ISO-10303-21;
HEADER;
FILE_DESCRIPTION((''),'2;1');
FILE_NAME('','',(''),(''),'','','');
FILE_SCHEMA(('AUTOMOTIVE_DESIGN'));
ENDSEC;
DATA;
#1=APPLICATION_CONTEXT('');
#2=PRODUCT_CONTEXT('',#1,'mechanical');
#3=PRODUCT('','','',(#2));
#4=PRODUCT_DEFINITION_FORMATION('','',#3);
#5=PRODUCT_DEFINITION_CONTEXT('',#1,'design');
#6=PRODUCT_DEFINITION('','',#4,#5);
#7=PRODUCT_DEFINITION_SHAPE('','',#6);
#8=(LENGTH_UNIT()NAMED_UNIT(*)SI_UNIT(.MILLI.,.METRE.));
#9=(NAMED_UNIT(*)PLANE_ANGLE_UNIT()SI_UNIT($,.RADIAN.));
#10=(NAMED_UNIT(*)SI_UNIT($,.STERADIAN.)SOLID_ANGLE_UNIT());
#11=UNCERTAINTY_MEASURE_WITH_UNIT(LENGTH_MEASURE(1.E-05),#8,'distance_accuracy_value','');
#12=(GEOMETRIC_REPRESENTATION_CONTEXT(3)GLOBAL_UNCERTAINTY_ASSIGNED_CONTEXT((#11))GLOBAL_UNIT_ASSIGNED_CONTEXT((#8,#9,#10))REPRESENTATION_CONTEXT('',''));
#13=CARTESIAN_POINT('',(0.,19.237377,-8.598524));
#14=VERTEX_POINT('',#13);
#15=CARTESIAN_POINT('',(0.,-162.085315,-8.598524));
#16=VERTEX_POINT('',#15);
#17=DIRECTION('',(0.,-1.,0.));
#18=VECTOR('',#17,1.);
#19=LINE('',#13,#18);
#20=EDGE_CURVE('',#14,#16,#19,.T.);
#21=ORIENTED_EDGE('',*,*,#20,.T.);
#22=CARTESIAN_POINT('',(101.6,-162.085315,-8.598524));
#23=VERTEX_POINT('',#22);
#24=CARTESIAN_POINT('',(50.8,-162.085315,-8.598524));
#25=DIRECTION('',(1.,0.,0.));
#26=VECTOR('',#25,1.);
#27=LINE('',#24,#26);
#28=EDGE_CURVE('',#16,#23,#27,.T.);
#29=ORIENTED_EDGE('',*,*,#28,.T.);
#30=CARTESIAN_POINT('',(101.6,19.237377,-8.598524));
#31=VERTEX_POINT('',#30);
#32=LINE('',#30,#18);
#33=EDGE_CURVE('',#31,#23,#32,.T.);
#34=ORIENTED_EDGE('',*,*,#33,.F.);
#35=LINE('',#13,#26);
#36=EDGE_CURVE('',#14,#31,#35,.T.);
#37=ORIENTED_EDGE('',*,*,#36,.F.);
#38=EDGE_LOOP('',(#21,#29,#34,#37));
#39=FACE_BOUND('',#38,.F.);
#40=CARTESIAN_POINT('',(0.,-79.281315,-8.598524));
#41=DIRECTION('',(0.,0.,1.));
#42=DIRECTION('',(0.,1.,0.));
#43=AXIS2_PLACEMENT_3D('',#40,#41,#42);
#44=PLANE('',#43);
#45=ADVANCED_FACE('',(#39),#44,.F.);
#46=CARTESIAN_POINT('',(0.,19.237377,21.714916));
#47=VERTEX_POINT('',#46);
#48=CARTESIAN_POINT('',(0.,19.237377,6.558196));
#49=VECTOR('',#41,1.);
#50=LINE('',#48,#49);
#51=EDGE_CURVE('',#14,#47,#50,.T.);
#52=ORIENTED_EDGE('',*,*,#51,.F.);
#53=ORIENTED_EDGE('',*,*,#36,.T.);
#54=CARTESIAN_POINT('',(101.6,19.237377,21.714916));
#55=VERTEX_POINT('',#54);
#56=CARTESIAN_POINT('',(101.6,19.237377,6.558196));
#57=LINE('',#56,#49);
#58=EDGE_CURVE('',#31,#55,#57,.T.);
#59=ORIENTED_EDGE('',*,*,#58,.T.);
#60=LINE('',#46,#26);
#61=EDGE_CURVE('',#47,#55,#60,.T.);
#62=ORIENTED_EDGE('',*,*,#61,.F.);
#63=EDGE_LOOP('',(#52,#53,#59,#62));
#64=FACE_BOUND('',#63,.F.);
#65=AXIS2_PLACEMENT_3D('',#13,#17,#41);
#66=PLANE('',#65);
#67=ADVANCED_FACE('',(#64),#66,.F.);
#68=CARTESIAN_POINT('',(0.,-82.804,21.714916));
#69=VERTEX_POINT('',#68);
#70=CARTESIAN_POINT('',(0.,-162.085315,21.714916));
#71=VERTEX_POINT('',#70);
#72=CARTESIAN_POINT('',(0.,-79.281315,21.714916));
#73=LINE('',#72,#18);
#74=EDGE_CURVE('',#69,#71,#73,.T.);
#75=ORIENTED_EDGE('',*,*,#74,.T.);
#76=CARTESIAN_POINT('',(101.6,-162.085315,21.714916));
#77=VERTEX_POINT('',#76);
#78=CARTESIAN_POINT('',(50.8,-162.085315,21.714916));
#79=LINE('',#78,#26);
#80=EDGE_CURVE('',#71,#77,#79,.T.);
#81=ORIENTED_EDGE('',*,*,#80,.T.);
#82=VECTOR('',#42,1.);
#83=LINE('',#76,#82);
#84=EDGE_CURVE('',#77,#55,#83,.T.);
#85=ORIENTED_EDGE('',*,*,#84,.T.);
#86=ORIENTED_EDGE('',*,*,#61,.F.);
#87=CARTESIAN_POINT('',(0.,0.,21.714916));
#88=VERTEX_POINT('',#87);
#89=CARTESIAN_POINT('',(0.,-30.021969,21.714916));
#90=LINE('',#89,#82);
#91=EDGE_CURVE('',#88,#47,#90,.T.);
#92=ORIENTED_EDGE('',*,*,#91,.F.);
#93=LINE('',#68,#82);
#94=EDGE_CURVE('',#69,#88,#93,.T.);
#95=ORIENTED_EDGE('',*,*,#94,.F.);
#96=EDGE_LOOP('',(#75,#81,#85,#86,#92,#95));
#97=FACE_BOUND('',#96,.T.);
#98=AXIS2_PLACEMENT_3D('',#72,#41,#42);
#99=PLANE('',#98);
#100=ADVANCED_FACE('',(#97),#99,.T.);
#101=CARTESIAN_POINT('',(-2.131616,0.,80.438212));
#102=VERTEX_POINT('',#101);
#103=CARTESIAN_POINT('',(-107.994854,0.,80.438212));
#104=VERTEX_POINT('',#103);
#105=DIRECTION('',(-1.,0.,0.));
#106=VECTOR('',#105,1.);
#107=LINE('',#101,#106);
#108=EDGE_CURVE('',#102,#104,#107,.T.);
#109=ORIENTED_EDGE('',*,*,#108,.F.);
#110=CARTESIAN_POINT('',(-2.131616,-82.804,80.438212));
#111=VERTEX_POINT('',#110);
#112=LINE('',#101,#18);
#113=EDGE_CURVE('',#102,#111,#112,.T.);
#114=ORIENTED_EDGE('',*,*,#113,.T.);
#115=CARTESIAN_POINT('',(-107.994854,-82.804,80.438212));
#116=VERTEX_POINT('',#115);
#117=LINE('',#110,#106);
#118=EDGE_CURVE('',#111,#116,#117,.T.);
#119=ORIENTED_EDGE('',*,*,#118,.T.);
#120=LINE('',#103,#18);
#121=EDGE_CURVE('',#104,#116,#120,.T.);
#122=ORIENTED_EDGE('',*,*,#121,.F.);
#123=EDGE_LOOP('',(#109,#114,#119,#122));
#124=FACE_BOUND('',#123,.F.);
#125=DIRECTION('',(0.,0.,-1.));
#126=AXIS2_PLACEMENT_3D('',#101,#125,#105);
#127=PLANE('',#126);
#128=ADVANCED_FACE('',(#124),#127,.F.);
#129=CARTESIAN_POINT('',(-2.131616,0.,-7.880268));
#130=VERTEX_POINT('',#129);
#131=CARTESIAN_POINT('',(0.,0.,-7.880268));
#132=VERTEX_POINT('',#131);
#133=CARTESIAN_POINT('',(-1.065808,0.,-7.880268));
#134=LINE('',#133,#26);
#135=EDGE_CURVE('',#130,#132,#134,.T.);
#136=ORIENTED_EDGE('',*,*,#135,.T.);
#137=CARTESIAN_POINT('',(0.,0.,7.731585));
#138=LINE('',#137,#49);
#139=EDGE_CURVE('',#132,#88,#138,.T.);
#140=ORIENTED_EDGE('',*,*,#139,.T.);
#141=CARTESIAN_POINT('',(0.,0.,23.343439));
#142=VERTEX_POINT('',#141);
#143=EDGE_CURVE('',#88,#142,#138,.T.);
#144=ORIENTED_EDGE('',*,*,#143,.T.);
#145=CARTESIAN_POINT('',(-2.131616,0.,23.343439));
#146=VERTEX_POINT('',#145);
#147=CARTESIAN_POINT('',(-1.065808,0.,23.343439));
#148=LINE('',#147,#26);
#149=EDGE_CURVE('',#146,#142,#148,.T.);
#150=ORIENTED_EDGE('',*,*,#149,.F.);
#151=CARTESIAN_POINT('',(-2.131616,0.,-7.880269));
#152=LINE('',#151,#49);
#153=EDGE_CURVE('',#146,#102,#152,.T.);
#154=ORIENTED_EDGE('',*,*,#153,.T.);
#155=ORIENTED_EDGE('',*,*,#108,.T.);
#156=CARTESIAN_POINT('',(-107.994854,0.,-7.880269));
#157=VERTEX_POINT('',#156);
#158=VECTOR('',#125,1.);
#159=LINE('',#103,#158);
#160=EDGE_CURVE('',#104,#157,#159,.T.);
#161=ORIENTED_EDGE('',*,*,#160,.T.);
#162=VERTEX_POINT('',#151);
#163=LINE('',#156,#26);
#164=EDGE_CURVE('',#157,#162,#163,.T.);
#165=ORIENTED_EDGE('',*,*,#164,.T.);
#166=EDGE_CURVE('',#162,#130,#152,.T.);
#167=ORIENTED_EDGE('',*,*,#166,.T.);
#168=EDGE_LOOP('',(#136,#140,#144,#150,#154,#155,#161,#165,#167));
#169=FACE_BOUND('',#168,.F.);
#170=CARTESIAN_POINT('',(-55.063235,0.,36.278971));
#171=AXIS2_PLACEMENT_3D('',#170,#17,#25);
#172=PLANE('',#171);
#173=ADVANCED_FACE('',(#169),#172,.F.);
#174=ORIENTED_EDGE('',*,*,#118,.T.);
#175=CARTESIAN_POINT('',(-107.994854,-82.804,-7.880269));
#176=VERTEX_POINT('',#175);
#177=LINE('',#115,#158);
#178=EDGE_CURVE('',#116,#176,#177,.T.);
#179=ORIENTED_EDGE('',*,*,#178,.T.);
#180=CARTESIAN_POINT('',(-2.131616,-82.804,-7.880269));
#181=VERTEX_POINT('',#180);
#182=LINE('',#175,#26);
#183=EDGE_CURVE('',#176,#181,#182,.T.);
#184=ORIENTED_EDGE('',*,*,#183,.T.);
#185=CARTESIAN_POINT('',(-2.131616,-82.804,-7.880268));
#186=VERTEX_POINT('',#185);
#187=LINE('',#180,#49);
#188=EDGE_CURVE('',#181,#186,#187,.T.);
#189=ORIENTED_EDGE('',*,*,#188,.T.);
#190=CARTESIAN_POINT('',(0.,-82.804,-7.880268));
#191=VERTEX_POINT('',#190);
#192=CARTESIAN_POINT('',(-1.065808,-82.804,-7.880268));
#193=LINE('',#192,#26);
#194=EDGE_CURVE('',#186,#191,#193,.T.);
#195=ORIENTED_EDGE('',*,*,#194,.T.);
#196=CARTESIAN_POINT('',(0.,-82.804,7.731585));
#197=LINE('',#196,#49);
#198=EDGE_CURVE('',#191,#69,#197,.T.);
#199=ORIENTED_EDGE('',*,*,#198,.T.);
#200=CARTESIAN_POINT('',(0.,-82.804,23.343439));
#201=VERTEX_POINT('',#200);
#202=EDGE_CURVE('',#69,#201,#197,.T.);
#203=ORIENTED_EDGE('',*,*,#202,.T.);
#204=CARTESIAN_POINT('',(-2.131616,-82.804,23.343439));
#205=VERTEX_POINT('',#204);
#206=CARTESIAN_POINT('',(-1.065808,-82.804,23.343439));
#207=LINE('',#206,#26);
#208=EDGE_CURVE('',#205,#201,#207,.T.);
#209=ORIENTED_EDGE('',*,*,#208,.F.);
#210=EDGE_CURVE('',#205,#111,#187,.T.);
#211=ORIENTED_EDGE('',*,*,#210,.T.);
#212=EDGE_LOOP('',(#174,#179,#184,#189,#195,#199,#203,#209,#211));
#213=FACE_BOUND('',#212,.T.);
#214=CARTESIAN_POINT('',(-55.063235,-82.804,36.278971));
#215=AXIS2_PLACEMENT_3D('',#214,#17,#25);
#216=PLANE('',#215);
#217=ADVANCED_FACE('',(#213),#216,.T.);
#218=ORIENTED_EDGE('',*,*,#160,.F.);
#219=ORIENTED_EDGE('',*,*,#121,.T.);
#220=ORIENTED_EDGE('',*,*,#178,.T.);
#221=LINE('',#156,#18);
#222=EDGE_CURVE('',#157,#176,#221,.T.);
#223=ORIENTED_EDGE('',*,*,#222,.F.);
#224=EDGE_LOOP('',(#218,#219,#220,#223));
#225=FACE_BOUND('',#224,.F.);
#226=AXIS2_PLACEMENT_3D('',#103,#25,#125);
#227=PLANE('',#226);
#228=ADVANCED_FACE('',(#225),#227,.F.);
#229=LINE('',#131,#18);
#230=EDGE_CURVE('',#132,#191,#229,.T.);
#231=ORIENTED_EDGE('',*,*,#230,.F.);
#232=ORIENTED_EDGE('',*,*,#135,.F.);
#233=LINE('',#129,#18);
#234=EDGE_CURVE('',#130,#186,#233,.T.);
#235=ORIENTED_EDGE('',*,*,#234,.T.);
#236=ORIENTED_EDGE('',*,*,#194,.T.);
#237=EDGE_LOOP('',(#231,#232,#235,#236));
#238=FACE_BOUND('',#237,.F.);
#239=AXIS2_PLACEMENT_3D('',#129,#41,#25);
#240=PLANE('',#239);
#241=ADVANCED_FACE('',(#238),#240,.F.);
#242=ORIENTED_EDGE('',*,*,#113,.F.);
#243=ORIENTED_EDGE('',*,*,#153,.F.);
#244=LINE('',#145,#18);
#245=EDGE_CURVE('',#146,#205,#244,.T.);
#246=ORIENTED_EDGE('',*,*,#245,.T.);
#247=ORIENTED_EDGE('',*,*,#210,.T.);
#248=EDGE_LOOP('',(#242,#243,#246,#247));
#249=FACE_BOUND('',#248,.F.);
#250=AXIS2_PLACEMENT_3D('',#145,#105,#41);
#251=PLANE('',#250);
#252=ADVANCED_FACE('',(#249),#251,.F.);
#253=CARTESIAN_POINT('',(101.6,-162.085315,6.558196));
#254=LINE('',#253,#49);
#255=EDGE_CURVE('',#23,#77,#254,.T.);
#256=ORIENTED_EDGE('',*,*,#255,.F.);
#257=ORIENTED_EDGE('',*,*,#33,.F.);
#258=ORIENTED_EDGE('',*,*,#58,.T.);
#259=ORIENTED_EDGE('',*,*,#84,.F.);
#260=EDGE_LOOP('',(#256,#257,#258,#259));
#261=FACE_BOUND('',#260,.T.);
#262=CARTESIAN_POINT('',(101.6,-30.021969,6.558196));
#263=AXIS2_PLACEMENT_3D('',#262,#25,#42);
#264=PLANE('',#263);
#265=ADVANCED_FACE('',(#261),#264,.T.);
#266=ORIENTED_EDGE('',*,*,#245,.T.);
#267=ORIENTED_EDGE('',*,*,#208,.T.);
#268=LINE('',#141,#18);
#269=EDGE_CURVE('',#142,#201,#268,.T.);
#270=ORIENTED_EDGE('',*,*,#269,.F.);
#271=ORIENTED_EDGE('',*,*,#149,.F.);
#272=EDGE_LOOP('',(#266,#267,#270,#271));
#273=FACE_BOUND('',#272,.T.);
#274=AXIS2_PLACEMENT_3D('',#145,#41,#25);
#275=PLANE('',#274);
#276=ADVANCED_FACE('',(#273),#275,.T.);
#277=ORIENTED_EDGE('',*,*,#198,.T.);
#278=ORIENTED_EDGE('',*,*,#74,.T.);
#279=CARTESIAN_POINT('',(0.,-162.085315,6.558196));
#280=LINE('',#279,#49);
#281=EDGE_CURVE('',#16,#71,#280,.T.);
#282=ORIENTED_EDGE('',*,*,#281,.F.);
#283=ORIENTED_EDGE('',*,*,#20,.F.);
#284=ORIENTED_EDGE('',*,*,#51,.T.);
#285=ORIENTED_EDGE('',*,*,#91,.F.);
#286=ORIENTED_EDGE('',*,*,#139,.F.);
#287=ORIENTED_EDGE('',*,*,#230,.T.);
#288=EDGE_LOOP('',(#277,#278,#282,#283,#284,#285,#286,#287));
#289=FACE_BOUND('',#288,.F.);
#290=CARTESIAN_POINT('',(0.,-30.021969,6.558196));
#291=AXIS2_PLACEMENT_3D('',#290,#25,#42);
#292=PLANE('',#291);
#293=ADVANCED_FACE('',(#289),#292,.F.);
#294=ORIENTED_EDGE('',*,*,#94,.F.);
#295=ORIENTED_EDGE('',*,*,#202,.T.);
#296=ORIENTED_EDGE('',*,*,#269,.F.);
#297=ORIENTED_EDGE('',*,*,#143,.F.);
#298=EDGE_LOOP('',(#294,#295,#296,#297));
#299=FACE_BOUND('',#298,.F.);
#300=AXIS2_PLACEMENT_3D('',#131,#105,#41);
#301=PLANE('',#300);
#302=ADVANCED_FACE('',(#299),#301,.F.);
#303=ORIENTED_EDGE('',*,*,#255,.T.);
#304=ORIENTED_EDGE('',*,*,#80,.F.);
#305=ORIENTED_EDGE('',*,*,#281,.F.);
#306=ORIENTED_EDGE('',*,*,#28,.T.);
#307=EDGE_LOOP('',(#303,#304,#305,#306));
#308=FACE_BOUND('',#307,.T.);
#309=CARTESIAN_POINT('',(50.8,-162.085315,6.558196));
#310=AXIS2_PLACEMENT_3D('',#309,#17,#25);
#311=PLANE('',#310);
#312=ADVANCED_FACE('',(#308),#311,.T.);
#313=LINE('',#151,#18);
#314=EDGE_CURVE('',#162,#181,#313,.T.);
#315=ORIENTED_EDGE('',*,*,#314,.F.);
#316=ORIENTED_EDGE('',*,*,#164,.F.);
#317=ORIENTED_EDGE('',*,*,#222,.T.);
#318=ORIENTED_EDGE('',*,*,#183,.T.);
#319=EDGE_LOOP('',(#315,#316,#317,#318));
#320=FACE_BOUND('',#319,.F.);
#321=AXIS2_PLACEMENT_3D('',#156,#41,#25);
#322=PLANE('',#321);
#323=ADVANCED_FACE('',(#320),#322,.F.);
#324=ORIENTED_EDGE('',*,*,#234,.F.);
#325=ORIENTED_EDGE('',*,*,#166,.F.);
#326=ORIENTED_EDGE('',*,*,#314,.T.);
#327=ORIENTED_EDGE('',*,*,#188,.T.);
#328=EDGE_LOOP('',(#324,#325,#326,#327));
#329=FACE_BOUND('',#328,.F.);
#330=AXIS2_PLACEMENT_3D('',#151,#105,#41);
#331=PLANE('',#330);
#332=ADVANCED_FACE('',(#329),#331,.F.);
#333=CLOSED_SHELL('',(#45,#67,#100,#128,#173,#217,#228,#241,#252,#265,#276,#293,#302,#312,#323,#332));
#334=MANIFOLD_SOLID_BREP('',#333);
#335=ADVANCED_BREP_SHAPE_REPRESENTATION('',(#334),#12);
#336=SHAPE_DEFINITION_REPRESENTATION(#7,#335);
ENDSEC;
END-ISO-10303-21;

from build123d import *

# Parameters (mm, degrees)
F0_W      = 98.518692
F0_H      = 30.31344
F1_DEPTH  = 101.6
F2_W      = 2.131616
F2_H      = 31.223707
F1_FACE_W = 101.6
F1_FACE_H = 30.31344
F3_DEPTH  = 82.804


with BuildPart() as f1:
    # F0 (on Right) → F1 (new body)
    with BuildSketch(Plane.YZ):
        with Locations((-30.021969, 6.558196)):
            Rectangle(F0_W, F0_H)
    extrude(amount=F1_DEPTH)

    # F2 (on Front) + F1_face (on face) → F3 (join)
    with BuildSketch(Plane.XZ):
        Polygon((-107.994854, -7.880269), (-2.131616, -7.880269), (-2.131616, 23.343438), (-2.131616, 80.438212), (-107.994854, 80.438212), align=None)
        with Locations((-1.065808, 7.731585)):
            Rectangle(F2_W, F2_H)
    with BuildSketch(Plane(origin=(50.8, -79.281315, 6.558196), x_dir=(1, 0, 0), z_dir=(0, -1, 0))):
        Rectangle(F1_FACE_W, F1_FACE_H)
    extrude(amount=F3_DEPTH)


solid = f1.part
